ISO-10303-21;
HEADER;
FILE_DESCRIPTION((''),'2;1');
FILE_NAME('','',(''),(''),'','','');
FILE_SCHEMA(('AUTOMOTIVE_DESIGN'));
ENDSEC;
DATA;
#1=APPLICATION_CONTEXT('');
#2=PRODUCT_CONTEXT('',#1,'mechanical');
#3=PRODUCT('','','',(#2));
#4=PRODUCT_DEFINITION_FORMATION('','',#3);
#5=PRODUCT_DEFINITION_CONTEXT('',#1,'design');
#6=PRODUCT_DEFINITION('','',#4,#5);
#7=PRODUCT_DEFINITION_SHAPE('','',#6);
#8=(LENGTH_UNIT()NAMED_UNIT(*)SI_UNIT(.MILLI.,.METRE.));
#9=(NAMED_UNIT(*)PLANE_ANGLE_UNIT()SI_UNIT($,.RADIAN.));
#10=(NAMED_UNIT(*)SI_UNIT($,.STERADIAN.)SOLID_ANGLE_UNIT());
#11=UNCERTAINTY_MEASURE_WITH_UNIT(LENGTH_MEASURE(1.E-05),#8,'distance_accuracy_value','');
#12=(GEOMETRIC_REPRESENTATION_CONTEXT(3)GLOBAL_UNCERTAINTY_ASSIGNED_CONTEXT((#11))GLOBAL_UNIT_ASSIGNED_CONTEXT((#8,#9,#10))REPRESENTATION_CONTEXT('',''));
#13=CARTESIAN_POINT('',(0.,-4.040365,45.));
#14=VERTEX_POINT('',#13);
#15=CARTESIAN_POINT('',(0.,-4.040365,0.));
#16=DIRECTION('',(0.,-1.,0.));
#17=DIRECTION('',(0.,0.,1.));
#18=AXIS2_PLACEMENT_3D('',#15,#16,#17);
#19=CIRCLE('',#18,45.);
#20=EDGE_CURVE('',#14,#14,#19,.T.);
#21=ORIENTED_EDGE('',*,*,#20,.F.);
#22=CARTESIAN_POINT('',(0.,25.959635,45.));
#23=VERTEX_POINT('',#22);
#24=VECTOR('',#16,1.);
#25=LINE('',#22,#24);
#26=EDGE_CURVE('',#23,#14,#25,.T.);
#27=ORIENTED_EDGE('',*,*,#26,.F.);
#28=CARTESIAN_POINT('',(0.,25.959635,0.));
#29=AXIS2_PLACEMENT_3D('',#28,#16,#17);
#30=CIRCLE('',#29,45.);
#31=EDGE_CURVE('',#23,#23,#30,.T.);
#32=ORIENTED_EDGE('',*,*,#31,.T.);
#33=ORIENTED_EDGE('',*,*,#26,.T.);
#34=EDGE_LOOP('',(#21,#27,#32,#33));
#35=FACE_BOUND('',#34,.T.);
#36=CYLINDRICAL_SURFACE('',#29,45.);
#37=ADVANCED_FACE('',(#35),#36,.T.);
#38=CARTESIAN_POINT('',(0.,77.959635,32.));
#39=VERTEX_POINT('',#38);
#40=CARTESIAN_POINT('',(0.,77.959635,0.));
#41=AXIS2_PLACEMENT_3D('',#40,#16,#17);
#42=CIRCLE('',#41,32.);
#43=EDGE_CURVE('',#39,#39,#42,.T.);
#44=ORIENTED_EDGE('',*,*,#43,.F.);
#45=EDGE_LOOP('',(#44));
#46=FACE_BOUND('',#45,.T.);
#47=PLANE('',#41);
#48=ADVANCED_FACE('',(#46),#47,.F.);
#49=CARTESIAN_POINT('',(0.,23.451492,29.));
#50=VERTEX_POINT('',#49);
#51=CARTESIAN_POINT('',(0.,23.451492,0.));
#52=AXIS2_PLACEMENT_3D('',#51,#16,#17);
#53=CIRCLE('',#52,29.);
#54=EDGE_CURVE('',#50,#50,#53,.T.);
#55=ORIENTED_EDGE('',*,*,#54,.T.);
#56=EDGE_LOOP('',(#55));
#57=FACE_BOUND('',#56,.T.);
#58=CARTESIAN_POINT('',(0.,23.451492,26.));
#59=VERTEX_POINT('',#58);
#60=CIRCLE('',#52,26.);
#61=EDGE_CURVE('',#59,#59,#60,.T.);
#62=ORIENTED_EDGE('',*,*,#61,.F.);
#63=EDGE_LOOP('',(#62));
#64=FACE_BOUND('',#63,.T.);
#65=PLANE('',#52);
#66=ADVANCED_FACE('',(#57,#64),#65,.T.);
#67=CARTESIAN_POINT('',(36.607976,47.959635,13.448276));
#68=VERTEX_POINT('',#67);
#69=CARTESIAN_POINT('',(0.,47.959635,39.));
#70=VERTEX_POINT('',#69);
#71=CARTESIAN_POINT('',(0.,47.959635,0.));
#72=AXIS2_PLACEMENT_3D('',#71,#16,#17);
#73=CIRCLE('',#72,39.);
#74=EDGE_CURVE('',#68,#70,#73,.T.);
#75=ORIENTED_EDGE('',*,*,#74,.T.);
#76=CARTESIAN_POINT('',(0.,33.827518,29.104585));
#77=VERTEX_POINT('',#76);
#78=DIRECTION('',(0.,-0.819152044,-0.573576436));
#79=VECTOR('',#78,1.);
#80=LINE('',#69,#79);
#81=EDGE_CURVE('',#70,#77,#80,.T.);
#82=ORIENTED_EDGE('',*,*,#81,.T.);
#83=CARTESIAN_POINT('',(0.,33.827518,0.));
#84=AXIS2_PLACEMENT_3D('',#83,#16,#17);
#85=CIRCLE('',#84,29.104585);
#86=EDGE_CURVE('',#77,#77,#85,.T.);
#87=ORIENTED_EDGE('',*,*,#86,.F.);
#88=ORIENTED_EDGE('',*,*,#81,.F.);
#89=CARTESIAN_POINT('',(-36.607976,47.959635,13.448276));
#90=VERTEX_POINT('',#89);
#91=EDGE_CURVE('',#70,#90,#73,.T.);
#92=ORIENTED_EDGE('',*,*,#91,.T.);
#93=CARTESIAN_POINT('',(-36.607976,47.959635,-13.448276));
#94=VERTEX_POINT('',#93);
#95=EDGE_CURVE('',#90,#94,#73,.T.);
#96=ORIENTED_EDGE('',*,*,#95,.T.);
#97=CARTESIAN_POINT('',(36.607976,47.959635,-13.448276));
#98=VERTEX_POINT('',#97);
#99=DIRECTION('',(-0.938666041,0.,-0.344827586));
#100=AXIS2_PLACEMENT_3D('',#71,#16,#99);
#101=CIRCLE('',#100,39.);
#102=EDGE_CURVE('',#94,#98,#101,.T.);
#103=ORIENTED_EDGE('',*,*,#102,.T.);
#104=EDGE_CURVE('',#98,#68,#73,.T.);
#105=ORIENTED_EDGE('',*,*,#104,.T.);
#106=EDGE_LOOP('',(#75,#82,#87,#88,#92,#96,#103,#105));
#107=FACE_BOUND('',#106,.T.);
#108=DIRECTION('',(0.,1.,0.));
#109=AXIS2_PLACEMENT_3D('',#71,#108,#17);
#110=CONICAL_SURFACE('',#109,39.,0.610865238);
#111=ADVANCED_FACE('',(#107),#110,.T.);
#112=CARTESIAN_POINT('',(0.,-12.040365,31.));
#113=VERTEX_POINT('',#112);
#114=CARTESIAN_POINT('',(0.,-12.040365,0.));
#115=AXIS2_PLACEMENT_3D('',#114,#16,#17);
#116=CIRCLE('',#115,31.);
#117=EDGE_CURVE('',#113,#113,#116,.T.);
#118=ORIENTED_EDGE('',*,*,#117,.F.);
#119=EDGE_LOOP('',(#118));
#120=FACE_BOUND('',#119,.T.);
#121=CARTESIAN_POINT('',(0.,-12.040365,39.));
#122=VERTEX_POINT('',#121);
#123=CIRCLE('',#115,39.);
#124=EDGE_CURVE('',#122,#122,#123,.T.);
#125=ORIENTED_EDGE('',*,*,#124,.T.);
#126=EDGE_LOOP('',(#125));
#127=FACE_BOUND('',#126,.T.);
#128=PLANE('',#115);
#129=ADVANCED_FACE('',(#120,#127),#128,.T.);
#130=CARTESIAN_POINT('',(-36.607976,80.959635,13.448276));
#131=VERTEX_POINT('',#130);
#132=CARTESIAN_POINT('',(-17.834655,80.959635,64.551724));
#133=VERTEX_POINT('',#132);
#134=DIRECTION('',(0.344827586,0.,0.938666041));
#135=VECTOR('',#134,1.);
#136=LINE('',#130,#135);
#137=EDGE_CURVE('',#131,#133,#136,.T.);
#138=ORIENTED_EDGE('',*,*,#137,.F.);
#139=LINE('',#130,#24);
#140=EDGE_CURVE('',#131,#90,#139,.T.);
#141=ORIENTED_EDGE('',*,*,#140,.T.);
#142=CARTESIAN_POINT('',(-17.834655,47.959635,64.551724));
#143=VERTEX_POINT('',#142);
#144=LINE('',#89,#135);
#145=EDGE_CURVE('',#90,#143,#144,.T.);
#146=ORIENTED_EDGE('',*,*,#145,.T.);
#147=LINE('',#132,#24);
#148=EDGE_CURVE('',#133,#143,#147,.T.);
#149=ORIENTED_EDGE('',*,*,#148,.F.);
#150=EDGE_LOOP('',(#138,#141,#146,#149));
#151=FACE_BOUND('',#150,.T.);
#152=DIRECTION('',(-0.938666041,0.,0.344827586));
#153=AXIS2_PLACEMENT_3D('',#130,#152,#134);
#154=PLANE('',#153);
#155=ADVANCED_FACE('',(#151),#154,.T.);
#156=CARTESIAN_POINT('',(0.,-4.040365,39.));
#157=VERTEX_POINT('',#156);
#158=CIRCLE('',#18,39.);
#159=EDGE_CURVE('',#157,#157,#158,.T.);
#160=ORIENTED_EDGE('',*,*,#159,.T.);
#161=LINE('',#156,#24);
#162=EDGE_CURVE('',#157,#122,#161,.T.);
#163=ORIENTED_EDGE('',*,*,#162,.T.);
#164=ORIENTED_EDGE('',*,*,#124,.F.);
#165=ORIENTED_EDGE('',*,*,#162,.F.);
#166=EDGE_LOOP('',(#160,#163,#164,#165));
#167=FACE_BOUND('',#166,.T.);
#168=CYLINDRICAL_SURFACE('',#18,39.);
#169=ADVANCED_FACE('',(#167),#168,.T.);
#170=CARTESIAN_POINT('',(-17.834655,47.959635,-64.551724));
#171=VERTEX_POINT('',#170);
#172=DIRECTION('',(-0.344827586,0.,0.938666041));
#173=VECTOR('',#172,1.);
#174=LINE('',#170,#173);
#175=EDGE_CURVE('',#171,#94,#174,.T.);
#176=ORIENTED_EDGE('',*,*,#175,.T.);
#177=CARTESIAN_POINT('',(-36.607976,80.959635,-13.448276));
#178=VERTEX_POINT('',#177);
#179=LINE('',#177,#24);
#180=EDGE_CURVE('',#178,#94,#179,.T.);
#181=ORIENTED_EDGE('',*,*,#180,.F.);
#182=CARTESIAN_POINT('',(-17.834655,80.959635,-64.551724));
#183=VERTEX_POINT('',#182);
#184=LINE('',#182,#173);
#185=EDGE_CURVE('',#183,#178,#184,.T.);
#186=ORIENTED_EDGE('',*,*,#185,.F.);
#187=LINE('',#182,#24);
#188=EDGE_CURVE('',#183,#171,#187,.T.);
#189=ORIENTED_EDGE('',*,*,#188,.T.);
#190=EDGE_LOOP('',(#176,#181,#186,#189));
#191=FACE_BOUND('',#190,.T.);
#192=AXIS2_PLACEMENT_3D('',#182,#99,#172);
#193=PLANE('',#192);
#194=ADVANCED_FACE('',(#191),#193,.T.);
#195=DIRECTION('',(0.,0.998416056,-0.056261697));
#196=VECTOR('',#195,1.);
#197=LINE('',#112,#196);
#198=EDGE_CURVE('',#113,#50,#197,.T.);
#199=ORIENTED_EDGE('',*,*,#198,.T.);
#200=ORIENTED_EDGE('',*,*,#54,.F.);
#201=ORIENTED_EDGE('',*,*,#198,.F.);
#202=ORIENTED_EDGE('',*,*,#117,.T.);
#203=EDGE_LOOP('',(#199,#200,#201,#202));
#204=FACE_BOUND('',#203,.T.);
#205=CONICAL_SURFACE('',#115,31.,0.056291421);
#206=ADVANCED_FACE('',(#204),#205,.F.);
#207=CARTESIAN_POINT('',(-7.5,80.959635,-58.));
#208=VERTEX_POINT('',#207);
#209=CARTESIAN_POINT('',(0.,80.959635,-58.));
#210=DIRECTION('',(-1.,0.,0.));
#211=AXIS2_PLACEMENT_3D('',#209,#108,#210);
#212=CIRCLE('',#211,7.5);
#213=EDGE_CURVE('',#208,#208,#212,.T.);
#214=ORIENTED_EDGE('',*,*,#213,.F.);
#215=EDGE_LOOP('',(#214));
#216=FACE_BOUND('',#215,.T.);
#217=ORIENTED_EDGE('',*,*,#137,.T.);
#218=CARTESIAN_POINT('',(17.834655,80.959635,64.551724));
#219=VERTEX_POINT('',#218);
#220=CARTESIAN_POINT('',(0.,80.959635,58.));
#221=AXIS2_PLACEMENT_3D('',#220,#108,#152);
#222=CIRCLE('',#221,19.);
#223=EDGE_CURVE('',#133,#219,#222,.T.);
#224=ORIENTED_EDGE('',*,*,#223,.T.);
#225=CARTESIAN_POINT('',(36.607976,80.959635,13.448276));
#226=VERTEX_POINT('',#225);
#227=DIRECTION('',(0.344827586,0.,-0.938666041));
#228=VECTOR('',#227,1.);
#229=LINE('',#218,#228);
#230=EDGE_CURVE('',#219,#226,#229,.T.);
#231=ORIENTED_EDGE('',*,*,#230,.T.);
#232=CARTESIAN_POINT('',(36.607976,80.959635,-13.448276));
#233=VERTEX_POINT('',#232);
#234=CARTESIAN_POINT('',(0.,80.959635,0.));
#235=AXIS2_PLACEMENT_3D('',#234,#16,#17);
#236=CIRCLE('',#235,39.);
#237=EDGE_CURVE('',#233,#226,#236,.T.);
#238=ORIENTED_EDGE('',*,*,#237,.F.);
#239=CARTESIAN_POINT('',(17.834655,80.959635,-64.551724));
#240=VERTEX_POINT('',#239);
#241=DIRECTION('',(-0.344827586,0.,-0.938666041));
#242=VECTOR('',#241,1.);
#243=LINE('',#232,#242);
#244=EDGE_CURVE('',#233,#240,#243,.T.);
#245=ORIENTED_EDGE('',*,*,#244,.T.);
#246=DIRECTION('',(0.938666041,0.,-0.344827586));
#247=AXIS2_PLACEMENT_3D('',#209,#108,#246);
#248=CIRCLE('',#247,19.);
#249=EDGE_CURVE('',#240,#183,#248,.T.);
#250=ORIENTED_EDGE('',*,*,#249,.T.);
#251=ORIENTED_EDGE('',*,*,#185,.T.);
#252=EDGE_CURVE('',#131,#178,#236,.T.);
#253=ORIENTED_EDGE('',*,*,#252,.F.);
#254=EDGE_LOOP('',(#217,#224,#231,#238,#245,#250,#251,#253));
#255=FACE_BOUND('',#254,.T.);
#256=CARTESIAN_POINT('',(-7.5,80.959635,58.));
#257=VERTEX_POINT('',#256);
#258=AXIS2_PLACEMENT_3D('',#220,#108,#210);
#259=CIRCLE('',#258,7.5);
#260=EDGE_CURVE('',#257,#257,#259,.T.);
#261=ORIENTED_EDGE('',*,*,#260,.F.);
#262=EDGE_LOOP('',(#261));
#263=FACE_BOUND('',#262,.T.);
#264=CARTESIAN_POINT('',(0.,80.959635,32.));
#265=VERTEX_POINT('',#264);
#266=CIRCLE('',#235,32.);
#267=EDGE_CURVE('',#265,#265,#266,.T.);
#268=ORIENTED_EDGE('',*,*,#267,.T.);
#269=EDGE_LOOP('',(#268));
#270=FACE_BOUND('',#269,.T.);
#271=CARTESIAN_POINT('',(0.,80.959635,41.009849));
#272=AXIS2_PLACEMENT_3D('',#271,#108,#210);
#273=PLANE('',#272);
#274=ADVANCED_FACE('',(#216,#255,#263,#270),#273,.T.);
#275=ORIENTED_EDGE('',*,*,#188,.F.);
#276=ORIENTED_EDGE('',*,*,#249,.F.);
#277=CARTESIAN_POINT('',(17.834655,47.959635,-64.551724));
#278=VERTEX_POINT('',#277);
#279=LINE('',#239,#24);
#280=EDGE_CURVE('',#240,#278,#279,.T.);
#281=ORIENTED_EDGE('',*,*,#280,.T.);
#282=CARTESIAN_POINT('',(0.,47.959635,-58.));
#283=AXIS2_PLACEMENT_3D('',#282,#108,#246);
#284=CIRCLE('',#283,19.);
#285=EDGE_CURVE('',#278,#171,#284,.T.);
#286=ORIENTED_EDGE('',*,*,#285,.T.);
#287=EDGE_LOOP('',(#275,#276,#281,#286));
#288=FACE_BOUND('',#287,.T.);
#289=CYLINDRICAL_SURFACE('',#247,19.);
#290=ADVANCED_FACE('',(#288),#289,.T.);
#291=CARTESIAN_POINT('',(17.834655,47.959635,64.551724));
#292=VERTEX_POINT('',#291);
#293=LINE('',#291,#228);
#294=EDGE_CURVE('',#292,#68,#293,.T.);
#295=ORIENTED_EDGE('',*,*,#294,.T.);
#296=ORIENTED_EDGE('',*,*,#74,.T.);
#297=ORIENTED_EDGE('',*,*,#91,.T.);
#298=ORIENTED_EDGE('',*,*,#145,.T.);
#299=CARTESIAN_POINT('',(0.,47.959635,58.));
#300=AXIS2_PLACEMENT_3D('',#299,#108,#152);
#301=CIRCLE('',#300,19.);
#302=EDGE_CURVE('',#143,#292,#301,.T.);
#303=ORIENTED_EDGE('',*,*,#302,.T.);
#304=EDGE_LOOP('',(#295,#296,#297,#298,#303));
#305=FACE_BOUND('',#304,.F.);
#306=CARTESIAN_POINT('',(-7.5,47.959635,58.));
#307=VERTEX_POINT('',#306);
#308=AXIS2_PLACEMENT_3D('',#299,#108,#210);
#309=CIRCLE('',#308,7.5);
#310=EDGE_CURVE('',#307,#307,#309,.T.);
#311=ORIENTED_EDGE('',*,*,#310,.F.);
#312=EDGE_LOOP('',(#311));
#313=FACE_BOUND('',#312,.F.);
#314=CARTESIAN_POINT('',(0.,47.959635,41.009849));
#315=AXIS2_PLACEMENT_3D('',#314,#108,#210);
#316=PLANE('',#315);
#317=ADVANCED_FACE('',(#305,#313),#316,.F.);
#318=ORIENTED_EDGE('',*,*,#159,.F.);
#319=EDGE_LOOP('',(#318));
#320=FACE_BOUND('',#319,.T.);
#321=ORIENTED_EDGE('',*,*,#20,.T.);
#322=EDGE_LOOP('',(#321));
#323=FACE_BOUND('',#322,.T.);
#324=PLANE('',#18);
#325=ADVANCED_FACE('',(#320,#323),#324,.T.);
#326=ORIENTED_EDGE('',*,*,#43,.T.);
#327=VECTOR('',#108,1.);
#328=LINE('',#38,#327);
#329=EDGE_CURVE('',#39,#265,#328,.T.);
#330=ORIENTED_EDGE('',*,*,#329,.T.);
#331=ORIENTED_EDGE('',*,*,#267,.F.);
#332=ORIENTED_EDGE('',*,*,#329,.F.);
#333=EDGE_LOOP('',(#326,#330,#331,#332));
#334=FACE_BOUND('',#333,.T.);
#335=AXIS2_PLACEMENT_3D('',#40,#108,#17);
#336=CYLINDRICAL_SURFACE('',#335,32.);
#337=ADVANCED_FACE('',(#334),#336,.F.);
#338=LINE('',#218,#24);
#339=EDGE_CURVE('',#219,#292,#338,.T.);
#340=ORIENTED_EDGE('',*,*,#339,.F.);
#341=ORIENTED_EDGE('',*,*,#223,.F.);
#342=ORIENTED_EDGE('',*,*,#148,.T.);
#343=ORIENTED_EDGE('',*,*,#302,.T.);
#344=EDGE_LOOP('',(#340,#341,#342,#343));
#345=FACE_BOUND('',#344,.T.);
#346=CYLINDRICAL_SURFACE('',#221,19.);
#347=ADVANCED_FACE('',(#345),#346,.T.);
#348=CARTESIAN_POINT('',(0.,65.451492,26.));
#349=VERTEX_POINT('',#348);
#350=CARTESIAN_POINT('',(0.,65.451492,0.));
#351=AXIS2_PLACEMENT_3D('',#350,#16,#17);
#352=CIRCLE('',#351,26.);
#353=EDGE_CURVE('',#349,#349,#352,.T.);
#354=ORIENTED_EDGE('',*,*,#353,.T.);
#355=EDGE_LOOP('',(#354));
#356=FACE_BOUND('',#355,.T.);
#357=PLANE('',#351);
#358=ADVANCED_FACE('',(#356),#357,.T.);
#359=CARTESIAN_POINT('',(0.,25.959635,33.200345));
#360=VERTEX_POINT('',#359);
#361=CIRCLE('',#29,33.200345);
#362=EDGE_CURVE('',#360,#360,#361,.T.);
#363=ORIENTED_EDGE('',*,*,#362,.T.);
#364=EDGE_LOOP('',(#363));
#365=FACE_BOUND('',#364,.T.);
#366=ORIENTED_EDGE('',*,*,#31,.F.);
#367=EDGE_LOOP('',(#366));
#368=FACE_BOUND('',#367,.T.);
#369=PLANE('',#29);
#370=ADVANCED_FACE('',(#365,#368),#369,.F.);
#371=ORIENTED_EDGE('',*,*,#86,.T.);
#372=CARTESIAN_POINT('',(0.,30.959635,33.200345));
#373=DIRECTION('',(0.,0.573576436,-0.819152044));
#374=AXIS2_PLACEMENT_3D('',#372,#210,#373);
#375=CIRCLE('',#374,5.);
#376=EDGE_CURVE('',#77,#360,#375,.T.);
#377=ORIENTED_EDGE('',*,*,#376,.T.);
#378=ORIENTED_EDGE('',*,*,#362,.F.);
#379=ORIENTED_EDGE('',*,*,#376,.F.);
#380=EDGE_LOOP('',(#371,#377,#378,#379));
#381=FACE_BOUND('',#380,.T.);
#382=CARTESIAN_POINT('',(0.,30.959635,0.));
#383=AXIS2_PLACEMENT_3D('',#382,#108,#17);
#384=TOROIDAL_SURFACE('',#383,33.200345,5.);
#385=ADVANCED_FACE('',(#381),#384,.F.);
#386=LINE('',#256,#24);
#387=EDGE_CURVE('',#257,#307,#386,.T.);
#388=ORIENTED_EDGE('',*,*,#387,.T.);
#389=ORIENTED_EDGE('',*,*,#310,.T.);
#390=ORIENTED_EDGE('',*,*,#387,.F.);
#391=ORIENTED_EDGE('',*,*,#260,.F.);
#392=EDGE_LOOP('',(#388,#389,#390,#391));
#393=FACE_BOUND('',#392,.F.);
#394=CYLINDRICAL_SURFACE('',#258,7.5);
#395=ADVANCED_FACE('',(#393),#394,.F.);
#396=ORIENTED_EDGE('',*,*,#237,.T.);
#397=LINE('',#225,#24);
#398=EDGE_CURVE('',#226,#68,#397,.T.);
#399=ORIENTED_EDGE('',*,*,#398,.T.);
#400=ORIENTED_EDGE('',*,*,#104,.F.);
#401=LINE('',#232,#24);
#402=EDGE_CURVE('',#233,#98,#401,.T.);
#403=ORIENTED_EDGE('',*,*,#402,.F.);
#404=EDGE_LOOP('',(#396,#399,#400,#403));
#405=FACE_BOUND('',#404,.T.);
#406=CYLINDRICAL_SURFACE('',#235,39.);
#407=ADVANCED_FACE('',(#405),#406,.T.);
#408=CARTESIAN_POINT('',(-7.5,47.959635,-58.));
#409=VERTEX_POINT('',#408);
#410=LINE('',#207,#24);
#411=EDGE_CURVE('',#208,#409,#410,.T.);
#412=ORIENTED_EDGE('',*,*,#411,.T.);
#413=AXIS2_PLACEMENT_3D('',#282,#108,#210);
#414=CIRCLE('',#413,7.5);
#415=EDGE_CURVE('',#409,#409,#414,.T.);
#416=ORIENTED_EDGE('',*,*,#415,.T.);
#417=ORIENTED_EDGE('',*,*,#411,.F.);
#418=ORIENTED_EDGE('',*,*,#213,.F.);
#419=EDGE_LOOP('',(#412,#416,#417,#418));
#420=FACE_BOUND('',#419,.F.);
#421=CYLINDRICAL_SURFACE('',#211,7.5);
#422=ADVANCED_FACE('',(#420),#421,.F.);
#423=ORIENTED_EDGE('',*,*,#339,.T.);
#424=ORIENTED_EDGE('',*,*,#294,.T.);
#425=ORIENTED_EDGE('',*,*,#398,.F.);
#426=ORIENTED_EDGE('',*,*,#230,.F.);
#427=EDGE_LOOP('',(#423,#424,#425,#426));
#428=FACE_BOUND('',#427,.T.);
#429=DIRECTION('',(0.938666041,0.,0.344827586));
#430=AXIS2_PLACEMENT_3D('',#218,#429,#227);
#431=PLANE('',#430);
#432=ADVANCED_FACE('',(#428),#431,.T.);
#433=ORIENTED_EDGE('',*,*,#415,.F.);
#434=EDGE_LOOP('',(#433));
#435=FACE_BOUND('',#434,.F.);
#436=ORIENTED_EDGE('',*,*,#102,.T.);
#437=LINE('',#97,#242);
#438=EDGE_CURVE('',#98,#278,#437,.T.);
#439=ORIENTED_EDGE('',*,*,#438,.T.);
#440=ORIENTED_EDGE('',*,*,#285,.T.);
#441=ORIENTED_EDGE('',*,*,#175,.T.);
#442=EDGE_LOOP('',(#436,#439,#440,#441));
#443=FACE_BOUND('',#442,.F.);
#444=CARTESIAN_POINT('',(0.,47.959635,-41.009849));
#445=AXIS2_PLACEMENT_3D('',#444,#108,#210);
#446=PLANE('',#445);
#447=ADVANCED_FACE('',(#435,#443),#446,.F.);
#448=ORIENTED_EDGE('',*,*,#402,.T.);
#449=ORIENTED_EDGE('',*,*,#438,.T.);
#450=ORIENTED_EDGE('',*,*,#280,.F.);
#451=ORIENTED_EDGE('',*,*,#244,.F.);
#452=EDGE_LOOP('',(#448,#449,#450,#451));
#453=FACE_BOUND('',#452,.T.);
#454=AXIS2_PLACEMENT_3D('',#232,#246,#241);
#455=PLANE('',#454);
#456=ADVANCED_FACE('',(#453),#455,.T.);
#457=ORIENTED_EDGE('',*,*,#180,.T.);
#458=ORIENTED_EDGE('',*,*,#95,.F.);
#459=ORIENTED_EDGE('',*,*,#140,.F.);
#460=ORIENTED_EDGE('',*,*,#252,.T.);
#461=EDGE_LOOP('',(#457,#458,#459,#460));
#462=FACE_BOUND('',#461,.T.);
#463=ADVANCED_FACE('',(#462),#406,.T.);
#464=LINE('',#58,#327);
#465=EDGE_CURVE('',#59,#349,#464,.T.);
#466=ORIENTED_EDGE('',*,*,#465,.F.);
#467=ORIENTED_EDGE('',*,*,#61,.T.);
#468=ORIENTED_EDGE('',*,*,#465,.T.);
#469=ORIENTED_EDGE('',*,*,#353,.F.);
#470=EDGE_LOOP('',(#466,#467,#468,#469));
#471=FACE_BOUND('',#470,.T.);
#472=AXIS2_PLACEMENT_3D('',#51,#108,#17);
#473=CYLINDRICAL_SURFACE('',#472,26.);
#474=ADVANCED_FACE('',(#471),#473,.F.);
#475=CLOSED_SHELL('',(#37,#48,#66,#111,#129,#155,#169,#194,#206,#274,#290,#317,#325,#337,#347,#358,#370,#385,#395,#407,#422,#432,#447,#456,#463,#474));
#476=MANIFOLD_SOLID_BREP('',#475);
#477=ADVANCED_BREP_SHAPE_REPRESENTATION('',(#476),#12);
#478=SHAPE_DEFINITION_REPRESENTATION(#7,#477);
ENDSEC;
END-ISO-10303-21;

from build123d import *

# Parameters (mm, degrees)
F2_R     = 7.5
F3_DEPTH = 33


with BuildPart() as f1:
    # F0 (on Right) → F1 (revolve)
    with BuildSketch(Plane.YZ):
        with BuildLine():
            Line((-12.0403646417, 39), (-12.0403646417, 31))
            Line((-12.0403646417, 31), (23.4514921904, 29))
            Line((23.4514921904, 29), (23.4514921904, 26))
            Line((23.4514921904, 26), (65.4514921904, 26))
            Line((65.4514921904, 26), (65.4514921904, 0))
            Line((65.4514921904, 0), (77.9596353583, 0))
            Line((77.9596353583, 0), (77.9596353583, 32))
            Line((77.9596353583, 32), (80.9596353583, 32))
            Line((80.9596353583, 32), (80.9596353583, 39))
            Line((80.9596353583, 39), (47.9596353583, 39))
            Line((47.9596353583, 39), (33.8275175401, 29.1045845728))
            ThreePointArc((33.8275175401, 29.1045845728), (28.6508922921, 28.7652906284), (25.9596353583, 33.2003447942))
            Line((25.9596353583, 33.2003447942), (25.9596353583, 39))
            Line((25.9596353583, 39), (25.9596353583, 45))
            Line((25.9596353583, 45), (-4.0403646417, 45))
            Line((-4.0403646417, 45), (-4.0403646417, 39))
            Line((-4.0403646417, 39), (-12.0403646417, 39))
        make_face()
    revolve(axis=Axis((0, 71.7055637743, 0), (0, -1, 0)))

    # F2 (on face) → F3 (join)
    with BuildSketch(Plane(origin=(0, 80.9596353583, 0), x_dir=(-1, 0, 0), z_dir=(0, 1, 0))):
        with BuildLine():
            Line((36.6079755837, 13.4482758621), (17.8346547716, 64.5517241379))
            ThreePointArc((17.8346547716, 64.5517241379), (0, 77), (-17.8346547716, 64.5517241379))
            Line((-17.8346547716, 64.5517241379), (-36.6079755837, 13.4482758621))
            ThreePointArc((-36.6079755837, 13.4482758621), (0, 39), (36.6079755837, 13.4482758621))
        make_face()
        with Locations((0, 58)):
            Circle(F2_R, mode=Mode.SUBTRACT)
        with BuildLine():
            Line((17.8346547716, -64.5517241379), (36.6079755837, -13.4482758621))
            ThreePointArc((36.6079755837, -13.4482758621), (0, -39), (-36.6079755837, -13.4482758621))
            Line((-36.6079755837, -13.4482758621), (-17.8346547716, -64.5517241379))
            ThreePointArc((-17.8346547716, -64.5517241379), (0, -77), (17.8346547716, -64.5517241379))
        make_face()
        with Locations((0, -58)):
            Circle(F2_R, mode=Mode.SUBTRACT)
    extrude(amount=-F3_DEPTH)


solid = f1.part
